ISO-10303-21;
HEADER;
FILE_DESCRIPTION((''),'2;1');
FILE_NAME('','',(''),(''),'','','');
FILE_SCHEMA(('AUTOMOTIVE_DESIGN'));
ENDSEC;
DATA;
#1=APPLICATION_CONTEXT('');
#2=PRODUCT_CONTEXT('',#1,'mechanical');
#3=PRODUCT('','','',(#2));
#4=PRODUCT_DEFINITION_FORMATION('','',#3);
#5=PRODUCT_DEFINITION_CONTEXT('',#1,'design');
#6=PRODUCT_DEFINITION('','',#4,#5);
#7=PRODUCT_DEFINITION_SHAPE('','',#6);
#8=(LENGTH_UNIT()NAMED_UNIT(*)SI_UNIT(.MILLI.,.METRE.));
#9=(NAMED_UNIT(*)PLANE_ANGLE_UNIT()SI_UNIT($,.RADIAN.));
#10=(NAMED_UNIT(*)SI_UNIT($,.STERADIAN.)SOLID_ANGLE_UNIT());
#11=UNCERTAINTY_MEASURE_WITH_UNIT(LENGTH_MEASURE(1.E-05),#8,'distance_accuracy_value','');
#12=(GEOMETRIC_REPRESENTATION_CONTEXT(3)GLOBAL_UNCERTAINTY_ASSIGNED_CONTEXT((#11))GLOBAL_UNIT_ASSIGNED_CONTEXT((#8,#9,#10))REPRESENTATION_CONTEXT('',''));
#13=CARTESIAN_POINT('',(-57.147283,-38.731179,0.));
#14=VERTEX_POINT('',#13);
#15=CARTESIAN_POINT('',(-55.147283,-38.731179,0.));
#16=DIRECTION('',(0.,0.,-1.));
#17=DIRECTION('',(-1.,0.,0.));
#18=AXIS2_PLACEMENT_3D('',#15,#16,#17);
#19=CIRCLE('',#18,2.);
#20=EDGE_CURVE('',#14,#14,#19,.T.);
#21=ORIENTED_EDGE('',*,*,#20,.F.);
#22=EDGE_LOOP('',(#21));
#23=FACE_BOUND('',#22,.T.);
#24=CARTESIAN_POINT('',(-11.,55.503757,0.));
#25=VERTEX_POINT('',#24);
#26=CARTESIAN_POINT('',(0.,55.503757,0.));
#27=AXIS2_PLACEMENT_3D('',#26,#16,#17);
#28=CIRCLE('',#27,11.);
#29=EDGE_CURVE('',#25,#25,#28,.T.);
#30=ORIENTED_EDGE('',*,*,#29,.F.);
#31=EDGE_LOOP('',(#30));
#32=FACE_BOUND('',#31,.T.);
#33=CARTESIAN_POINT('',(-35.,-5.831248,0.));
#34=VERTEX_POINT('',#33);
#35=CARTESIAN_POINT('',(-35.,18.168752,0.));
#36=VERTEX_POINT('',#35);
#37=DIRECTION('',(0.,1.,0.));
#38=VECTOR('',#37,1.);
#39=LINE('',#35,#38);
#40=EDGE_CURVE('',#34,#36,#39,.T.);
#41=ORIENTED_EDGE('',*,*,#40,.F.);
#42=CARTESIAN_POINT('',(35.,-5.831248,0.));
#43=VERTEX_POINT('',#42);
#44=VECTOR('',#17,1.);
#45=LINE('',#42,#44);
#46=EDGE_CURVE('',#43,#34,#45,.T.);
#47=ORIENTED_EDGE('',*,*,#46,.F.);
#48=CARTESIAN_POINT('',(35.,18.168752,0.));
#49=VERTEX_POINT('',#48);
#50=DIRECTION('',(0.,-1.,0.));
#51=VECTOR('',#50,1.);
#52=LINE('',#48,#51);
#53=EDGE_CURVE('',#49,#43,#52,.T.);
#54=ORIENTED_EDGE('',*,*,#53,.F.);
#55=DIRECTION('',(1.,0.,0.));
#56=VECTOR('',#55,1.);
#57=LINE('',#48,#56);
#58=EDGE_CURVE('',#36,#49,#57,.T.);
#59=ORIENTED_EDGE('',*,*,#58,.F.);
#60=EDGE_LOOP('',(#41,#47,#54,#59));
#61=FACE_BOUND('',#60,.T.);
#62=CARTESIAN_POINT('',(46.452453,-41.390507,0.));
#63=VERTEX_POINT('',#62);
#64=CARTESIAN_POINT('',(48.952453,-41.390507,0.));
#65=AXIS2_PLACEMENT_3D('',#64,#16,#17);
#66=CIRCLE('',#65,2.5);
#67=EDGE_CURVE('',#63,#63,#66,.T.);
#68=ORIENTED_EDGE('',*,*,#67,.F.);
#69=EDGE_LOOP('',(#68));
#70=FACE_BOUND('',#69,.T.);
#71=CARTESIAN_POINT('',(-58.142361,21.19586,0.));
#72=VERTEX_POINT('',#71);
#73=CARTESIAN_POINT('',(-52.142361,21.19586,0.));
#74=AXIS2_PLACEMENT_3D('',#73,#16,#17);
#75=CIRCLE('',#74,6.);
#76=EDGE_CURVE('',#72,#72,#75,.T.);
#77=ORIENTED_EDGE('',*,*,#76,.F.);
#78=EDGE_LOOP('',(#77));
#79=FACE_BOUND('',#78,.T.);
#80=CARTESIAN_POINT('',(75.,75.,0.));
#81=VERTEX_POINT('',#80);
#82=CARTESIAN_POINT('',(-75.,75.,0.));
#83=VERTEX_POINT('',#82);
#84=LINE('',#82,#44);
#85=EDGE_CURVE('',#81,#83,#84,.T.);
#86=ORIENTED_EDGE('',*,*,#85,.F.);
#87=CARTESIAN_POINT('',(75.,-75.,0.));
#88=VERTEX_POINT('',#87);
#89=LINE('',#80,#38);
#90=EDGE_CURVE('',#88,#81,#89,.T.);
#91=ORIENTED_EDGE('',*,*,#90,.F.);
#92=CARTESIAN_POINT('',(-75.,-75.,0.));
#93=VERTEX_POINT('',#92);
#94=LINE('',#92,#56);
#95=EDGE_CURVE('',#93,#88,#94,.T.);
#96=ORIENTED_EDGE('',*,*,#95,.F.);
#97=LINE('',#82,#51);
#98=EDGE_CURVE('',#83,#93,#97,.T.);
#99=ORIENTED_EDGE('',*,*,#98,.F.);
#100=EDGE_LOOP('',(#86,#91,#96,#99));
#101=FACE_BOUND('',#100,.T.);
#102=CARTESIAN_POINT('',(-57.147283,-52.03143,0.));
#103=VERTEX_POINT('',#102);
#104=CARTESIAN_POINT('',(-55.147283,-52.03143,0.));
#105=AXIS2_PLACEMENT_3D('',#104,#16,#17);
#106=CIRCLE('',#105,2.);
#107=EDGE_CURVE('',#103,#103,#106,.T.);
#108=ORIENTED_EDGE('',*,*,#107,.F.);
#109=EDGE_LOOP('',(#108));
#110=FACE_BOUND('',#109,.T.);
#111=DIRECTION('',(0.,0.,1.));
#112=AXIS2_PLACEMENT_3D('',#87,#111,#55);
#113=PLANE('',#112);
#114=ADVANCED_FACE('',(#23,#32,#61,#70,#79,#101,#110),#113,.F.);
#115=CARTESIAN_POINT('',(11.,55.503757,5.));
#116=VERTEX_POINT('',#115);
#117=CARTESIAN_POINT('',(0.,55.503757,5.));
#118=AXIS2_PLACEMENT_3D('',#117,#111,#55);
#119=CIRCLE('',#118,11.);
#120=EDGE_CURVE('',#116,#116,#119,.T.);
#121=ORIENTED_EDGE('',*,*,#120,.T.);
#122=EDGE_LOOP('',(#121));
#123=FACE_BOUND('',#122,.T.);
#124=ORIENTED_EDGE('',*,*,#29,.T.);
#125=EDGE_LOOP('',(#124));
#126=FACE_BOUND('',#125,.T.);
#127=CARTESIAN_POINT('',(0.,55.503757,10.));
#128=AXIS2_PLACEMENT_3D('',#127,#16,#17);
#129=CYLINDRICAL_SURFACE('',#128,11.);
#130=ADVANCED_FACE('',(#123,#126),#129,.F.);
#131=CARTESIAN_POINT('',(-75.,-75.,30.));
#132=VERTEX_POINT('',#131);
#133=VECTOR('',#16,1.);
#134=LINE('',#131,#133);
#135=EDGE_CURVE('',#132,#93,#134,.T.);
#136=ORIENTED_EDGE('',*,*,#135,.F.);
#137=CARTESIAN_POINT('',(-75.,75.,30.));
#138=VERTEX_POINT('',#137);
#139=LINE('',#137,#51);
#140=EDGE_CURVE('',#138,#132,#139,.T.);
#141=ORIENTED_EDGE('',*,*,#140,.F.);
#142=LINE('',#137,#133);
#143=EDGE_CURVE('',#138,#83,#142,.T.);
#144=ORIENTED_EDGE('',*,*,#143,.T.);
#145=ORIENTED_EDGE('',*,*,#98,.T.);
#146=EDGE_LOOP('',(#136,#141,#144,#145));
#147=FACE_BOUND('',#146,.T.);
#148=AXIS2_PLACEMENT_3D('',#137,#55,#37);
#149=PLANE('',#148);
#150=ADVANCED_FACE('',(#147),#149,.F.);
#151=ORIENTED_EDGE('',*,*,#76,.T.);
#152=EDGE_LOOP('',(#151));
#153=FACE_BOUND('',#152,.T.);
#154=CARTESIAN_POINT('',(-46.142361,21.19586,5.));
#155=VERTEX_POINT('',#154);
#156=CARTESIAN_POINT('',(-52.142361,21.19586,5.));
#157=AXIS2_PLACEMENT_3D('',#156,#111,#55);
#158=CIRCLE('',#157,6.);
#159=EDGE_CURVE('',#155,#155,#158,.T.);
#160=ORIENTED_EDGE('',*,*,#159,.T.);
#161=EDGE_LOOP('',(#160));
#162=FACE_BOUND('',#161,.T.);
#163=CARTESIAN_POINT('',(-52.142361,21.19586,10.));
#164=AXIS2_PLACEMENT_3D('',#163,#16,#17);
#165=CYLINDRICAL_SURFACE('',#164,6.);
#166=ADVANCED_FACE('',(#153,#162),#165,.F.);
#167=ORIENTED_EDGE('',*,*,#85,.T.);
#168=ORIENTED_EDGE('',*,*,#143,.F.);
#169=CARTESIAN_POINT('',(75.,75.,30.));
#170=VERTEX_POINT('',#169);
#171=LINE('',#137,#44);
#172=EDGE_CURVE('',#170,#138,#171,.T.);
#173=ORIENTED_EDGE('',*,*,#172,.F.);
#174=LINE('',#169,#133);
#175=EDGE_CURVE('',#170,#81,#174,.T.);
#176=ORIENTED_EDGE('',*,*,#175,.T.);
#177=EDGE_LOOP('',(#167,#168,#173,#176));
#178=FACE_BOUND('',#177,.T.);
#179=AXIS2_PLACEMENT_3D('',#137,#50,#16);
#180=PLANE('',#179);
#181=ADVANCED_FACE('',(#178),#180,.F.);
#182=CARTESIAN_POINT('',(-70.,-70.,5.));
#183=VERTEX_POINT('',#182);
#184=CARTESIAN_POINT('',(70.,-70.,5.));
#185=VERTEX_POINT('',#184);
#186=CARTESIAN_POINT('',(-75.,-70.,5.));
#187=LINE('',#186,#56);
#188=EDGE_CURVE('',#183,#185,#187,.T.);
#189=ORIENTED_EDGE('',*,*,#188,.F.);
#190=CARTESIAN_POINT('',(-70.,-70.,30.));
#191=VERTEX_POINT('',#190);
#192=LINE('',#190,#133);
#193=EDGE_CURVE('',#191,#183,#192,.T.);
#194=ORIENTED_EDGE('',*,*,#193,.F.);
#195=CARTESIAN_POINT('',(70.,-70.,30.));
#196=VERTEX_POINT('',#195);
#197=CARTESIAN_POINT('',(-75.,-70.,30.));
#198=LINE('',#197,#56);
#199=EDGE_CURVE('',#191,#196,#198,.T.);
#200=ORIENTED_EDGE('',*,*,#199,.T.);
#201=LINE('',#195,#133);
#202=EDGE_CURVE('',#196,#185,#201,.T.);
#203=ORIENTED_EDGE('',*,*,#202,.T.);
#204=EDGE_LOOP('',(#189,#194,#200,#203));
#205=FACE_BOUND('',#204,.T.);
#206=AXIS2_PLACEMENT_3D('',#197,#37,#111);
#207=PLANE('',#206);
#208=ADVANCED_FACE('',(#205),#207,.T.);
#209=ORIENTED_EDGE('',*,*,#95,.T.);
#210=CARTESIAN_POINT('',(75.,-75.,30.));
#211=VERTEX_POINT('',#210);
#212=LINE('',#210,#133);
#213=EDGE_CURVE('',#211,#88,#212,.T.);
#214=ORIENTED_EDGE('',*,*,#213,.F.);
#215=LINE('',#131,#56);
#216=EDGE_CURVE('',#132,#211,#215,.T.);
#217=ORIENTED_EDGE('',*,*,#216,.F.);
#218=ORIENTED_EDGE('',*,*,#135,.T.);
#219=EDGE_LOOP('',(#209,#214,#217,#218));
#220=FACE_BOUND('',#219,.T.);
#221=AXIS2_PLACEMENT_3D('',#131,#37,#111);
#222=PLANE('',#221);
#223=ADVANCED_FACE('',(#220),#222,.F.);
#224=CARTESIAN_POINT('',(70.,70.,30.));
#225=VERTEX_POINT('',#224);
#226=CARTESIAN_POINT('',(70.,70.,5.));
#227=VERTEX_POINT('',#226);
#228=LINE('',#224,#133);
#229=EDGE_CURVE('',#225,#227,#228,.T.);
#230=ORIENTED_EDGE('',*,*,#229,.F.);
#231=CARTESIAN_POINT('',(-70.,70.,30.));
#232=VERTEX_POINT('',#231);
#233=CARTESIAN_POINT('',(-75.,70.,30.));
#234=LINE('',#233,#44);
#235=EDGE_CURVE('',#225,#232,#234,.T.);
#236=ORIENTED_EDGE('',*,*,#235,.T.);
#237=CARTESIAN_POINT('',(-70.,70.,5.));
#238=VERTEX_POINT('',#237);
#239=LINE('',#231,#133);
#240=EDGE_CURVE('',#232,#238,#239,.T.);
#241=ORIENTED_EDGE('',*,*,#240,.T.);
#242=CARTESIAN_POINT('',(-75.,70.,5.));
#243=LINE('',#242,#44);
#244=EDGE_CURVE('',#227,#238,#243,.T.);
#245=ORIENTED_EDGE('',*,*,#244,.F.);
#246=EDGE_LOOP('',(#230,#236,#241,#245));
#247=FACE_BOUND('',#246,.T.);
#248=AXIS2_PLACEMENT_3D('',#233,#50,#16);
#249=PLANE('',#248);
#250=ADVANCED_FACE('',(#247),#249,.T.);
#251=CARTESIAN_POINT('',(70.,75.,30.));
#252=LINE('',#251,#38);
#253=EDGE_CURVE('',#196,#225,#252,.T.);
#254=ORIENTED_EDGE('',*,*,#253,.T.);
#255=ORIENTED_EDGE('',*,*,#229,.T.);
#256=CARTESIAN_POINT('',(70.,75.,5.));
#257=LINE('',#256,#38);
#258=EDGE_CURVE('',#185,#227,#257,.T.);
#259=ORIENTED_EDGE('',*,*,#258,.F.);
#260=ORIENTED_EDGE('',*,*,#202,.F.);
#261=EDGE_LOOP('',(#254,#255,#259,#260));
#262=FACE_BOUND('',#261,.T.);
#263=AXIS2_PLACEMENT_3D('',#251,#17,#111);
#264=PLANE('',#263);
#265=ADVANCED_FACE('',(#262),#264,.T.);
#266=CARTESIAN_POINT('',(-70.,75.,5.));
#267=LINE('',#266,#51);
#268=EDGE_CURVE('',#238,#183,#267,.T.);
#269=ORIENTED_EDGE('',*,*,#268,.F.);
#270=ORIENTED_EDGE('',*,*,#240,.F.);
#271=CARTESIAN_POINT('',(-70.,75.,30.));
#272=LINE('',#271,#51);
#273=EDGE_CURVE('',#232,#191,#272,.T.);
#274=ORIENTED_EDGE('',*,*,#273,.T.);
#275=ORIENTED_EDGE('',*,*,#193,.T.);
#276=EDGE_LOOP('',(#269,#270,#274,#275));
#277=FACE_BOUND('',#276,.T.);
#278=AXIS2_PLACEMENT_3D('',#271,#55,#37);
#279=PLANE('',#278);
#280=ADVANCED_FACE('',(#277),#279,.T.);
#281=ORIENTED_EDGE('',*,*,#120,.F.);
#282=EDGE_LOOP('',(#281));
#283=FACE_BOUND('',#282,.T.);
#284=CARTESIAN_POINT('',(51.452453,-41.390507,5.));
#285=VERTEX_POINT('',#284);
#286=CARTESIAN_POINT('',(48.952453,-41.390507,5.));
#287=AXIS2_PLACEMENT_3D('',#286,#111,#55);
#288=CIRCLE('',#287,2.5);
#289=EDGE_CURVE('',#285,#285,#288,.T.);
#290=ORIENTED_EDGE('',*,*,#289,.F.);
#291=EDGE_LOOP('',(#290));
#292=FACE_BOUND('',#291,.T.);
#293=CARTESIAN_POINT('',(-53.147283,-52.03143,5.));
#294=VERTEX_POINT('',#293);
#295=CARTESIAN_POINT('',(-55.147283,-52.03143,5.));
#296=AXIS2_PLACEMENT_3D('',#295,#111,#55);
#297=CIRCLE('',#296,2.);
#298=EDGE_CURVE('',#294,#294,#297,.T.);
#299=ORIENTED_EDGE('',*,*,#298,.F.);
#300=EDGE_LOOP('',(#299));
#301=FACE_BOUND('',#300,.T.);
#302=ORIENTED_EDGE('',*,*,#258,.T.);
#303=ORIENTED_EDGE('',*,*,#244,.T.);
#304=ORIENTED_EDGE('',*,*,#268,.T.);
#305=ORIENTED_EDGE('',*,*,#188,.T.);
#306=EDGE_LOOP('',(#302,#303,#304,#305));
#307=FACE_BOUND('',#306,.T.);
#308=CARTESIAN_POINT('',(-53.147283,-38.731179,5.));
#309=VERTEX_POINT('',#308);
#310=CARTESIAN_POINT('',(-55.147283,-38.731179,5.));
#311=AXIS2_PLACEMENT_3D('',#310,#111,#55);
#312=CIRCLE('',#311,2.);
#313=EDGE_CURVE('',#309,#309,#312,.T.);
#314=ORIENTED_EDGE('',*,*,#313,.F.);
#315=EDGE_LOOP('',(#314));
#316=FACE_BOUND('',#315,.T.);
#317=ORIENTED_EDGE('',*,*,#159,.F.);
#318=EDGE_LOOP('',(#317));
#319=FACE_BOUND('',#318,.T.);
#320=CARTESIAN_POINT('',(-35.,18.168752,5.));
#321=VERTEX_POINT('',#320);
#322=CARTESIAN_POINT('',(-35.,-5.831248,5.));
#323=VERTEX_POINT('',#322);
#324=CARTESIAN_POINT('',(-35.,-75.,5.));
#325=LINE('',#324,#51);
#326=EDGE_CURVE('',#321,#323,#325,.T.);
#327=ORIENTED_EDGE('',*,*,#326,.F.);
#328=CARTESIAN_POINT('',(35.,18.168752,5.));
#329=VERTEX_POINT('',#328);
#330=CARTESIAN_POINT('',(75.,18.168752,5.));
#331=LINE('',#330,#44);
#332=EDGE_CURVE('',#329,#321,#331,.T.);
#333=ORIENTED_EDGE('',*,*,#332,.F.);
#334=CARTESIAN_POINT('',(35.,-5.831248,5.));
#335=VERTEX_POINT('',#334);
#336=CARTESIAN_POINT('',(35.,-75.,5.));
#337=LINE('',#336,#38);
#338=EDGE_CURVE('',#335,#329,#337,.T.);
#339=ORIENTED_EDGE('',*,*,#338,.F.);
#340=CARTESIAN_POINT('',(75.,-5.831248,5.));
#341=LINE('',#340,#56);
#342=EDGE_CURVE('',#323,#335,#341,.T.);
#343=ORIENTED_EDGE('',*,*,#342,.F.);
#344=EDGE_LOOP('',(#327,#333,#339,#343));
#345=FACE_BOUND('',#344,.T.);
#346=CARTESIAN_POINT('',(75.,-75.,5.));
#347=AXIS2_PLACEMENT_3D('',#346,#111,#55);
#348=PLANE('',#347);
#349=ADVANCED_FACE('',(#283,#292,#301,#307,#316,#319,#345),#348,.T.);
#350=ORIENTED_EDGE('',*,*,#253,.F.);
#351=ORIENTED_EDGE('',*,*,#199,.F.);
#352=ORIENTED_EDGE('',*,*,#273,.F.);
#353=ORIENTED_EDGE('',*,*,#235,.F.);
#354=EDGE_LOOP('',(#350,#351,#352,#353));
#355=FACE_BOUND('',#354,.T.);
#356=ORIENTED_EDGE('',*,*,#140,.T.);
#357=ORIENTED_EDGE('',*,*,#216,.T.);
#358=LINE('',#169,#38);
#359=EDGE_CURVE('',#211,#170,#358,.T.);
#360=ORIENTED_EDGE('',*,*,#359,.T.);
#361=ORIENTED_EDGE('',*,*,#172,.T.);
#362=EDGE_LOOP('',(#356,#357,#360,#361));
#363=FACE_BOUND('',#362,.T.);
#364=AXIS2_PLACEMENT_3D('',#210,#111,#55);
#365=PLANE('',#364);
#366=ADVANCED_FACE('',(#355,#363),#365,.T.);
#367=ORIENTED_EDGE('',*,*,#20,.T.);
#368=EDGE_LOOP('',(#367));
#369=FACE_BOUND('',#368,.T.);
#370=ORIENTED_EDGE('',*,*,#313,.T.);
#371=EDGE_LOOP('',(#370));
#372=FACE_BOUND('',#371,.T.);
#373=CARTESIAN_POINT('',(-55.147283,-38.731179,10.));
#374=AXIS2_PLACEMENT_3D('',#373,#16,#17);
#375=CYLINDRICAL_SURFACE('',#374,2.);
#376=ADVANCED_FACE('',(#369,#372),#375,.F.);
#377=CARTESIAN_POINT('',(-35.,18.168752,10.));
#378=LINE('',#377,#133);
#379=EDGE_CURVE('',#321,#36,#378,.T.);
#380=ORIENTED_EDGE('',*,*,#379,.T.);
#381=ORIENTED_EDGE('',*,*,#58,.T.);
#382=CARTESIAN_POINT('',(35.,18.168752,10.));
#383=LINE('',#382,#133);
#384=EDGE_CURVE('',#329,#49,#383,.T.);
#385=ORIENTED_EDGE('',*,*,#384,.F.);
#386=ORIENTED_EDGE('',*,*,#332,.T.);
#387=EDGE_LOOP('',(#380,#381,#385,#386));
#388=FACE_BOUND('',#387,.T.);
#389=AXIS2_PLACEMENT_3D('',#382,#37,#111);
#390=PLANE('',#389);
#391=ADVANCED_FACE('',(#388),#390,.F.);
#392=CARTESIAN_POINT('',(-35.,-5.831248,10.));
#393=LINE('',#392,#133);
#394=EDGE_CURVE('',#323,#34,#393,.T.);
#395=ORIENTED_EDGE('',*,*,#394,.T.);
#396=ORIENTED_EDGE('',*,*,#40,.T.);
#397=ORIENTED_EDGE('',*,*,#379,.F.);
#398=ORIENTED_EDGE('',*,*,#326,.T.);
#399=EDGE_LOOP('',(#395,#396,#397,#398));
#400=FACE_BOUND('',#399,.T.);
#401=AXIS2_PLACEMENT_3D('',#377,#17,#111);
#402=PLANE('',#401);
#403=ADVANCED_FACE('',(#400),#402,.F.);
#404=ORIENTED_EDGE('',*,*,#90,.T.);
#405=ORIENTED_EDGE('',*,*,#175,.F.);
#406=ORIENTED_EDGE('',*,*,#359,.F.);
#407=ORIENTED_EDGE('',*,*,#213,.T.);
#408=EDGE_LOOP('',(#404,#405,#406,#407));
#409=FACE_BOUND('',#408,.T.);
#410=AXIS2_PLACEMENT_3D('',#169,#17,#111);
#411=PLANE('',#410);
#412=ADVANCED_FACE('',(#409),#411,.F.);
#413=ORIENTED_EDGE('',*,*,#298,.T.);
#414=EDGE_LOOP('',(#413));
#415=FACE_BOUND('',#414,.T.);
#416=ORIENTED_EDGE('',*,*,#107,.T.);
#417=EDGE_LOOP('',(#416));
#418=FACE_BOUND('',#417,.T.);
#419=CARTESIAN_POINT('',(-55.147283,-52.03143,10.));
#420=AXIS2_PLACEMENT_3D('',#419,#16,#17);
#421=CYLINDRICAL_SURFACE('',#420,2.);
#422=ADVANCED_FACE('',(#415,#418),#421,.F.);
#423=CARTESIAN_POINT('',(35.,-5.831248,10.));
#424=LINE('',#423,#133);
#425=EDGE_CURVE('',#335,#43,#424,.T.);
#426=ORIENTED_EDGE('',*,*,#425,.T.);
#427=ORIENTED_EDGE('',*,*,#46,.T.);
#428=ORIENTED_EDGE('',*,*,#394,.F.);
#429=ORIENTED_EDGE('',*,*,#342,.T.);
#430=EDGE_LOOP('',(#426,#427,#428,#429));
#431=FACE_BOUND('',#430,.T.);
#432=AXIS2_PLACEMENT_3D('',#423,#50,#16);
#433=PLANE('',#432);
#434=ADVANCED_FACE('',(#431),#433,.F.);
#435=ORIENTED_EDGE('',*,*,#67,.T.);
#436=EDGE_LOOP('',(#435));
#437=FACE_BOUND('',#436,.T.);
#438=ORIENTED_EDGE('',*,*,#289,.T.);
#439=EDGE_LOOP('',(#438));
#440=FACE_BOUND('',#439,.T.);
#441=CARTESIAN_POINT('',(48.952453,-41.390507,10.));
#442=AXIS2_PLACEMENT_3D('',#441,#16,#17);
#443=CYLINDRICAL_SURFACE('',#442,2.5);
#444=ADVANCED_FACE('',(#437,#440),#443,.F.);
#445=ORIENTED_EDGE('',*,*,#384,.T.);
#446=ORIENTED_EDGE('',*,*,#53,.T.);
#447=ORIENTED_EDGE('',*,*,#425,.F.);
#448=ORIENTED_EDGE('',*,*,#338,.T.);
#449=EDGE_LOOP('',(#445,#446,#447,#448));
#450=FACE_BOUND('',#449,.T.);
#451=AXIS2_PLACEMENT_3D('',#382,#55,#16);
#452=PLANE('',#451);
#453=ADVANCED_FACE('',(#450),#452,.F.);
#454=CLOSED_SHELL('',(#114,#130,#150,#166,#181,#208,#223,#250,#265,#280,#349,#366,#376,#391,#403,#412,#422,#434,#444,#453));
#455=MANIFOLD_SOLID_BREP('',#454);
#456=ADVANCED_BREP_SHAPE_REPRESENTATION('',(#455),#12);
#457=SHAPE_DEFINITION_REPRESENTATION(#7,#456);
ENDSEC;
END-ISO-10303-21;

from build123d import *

# Parameters (mm, degrees)
SKETCH4_W           = 150
SKETCH4_H           = 150
BOSS_EXTRUDE1_DEPTH = 30
SHELL2_T            = -5
SKETCH5_R           = 11
CUT_EXTRUDE1_DEPTH  = 10
SKETCH6_W           = 70
SKETCH6_H           = 24
CUT_EXTRUDE2_DEPTH  = 10
SKETCH7_R           = 6
CUT_EXTRUDE3_DEPTH  = 10
SKETCH8_R           = 2.5
CUT_EXTRUDE4_DEPTH  = 10
SKETCH10_R          = 2
CUT_EXTRUDE5_DEPTH  = 10


with BuildPart() as part:
    # Sketch4 → Boss-Extrude1 (new body)
    with BuildSketch(Plane.XY):
        Rectangle(SKETCH4_W, SKETCH4_H)
    extrude(amount=BOSS_EXTRUDE1_DEPTH)

    # Shell2
    shell2_openings = [part.faces().sort_by_distance(p)[0] for p in [
        (0, 0, 30),
    ]]
    offset(amount=SHELL2_T, openings=shell2_openings, kind=Kind.INTERSECTION)

    # Sketch5 → Cut-Extrude1 (cut)
    with BuildSketch(Plane(origin=(0, 0, 0), x_dir=(-1, 0, 0), z_dir=(0, 0, -1))):
        with Locations((0, 55.503756803)):
            Circle(SKETCH5_R)
    extrude(amount=-CUT_EXTRUDE1_DEPTH, mode=Mode.SUBTRACT)

    # Sketch6 → Cut-Extrude2 (cut)
    with BuildSketch(Plane(origin=(0, 0, 0), x_dir=(-1, 0, 0), z_dir=(0, 0, -1))):
        with Locations((0, 6.168751782)):
            Rectangle(SKETCH6_W, SKETCH6_H)
    extrude(amount=-CUT_EXTRUDE2_DEPTH, mode=Mode.SUBTRACT)

    # Sketch7 → Cut-Extrude3 (cut)
    with BuildSketch(Plane(origin=(0, 0, 0), x_dir=(-1, 0, 0), z_dir=(0, 0, -1))):
        with Locations((52.142360775, 21.195860283)):
            Circle(SKETCH7_R)
    extrude(amount=-CUT_EXTRUDE3_DEPTH, mode=Mode.SUBTRACT)

    # Sketch8 → Cut-Extrude4 (cut)
    with BuildSketch(Plane(origin=(0, 0, 0), x_dir=(-1, 0, 0), z_dir=(0, 0, -1))):
        with Locations((-48.952452987, -41.390507081)):
            Circle(SKETCH8_R)
    extrude(amount=-CUT_EXTRUDE4_DEPTH, mode=Mode.SUBTRACT)

    # Sketch10 → Cut-Extrude5 (cut)
    with BuildSketch(Plane(origin=(0, 0, 0), x_dir=(-1, 0, 0), z_dir=(0, 0, -1))):
        with Locations((55.147282701, -52.031429677)):
            Circle(SKETCH10_R)
        with Locations((55.147282701, -38.731179224)):
            Circle(SKETCH10_R)
    extrude(amount=-CUT_EXTRUDE5_DEPTH, mode=Mode.SUBTRACT)


solid = part.part
